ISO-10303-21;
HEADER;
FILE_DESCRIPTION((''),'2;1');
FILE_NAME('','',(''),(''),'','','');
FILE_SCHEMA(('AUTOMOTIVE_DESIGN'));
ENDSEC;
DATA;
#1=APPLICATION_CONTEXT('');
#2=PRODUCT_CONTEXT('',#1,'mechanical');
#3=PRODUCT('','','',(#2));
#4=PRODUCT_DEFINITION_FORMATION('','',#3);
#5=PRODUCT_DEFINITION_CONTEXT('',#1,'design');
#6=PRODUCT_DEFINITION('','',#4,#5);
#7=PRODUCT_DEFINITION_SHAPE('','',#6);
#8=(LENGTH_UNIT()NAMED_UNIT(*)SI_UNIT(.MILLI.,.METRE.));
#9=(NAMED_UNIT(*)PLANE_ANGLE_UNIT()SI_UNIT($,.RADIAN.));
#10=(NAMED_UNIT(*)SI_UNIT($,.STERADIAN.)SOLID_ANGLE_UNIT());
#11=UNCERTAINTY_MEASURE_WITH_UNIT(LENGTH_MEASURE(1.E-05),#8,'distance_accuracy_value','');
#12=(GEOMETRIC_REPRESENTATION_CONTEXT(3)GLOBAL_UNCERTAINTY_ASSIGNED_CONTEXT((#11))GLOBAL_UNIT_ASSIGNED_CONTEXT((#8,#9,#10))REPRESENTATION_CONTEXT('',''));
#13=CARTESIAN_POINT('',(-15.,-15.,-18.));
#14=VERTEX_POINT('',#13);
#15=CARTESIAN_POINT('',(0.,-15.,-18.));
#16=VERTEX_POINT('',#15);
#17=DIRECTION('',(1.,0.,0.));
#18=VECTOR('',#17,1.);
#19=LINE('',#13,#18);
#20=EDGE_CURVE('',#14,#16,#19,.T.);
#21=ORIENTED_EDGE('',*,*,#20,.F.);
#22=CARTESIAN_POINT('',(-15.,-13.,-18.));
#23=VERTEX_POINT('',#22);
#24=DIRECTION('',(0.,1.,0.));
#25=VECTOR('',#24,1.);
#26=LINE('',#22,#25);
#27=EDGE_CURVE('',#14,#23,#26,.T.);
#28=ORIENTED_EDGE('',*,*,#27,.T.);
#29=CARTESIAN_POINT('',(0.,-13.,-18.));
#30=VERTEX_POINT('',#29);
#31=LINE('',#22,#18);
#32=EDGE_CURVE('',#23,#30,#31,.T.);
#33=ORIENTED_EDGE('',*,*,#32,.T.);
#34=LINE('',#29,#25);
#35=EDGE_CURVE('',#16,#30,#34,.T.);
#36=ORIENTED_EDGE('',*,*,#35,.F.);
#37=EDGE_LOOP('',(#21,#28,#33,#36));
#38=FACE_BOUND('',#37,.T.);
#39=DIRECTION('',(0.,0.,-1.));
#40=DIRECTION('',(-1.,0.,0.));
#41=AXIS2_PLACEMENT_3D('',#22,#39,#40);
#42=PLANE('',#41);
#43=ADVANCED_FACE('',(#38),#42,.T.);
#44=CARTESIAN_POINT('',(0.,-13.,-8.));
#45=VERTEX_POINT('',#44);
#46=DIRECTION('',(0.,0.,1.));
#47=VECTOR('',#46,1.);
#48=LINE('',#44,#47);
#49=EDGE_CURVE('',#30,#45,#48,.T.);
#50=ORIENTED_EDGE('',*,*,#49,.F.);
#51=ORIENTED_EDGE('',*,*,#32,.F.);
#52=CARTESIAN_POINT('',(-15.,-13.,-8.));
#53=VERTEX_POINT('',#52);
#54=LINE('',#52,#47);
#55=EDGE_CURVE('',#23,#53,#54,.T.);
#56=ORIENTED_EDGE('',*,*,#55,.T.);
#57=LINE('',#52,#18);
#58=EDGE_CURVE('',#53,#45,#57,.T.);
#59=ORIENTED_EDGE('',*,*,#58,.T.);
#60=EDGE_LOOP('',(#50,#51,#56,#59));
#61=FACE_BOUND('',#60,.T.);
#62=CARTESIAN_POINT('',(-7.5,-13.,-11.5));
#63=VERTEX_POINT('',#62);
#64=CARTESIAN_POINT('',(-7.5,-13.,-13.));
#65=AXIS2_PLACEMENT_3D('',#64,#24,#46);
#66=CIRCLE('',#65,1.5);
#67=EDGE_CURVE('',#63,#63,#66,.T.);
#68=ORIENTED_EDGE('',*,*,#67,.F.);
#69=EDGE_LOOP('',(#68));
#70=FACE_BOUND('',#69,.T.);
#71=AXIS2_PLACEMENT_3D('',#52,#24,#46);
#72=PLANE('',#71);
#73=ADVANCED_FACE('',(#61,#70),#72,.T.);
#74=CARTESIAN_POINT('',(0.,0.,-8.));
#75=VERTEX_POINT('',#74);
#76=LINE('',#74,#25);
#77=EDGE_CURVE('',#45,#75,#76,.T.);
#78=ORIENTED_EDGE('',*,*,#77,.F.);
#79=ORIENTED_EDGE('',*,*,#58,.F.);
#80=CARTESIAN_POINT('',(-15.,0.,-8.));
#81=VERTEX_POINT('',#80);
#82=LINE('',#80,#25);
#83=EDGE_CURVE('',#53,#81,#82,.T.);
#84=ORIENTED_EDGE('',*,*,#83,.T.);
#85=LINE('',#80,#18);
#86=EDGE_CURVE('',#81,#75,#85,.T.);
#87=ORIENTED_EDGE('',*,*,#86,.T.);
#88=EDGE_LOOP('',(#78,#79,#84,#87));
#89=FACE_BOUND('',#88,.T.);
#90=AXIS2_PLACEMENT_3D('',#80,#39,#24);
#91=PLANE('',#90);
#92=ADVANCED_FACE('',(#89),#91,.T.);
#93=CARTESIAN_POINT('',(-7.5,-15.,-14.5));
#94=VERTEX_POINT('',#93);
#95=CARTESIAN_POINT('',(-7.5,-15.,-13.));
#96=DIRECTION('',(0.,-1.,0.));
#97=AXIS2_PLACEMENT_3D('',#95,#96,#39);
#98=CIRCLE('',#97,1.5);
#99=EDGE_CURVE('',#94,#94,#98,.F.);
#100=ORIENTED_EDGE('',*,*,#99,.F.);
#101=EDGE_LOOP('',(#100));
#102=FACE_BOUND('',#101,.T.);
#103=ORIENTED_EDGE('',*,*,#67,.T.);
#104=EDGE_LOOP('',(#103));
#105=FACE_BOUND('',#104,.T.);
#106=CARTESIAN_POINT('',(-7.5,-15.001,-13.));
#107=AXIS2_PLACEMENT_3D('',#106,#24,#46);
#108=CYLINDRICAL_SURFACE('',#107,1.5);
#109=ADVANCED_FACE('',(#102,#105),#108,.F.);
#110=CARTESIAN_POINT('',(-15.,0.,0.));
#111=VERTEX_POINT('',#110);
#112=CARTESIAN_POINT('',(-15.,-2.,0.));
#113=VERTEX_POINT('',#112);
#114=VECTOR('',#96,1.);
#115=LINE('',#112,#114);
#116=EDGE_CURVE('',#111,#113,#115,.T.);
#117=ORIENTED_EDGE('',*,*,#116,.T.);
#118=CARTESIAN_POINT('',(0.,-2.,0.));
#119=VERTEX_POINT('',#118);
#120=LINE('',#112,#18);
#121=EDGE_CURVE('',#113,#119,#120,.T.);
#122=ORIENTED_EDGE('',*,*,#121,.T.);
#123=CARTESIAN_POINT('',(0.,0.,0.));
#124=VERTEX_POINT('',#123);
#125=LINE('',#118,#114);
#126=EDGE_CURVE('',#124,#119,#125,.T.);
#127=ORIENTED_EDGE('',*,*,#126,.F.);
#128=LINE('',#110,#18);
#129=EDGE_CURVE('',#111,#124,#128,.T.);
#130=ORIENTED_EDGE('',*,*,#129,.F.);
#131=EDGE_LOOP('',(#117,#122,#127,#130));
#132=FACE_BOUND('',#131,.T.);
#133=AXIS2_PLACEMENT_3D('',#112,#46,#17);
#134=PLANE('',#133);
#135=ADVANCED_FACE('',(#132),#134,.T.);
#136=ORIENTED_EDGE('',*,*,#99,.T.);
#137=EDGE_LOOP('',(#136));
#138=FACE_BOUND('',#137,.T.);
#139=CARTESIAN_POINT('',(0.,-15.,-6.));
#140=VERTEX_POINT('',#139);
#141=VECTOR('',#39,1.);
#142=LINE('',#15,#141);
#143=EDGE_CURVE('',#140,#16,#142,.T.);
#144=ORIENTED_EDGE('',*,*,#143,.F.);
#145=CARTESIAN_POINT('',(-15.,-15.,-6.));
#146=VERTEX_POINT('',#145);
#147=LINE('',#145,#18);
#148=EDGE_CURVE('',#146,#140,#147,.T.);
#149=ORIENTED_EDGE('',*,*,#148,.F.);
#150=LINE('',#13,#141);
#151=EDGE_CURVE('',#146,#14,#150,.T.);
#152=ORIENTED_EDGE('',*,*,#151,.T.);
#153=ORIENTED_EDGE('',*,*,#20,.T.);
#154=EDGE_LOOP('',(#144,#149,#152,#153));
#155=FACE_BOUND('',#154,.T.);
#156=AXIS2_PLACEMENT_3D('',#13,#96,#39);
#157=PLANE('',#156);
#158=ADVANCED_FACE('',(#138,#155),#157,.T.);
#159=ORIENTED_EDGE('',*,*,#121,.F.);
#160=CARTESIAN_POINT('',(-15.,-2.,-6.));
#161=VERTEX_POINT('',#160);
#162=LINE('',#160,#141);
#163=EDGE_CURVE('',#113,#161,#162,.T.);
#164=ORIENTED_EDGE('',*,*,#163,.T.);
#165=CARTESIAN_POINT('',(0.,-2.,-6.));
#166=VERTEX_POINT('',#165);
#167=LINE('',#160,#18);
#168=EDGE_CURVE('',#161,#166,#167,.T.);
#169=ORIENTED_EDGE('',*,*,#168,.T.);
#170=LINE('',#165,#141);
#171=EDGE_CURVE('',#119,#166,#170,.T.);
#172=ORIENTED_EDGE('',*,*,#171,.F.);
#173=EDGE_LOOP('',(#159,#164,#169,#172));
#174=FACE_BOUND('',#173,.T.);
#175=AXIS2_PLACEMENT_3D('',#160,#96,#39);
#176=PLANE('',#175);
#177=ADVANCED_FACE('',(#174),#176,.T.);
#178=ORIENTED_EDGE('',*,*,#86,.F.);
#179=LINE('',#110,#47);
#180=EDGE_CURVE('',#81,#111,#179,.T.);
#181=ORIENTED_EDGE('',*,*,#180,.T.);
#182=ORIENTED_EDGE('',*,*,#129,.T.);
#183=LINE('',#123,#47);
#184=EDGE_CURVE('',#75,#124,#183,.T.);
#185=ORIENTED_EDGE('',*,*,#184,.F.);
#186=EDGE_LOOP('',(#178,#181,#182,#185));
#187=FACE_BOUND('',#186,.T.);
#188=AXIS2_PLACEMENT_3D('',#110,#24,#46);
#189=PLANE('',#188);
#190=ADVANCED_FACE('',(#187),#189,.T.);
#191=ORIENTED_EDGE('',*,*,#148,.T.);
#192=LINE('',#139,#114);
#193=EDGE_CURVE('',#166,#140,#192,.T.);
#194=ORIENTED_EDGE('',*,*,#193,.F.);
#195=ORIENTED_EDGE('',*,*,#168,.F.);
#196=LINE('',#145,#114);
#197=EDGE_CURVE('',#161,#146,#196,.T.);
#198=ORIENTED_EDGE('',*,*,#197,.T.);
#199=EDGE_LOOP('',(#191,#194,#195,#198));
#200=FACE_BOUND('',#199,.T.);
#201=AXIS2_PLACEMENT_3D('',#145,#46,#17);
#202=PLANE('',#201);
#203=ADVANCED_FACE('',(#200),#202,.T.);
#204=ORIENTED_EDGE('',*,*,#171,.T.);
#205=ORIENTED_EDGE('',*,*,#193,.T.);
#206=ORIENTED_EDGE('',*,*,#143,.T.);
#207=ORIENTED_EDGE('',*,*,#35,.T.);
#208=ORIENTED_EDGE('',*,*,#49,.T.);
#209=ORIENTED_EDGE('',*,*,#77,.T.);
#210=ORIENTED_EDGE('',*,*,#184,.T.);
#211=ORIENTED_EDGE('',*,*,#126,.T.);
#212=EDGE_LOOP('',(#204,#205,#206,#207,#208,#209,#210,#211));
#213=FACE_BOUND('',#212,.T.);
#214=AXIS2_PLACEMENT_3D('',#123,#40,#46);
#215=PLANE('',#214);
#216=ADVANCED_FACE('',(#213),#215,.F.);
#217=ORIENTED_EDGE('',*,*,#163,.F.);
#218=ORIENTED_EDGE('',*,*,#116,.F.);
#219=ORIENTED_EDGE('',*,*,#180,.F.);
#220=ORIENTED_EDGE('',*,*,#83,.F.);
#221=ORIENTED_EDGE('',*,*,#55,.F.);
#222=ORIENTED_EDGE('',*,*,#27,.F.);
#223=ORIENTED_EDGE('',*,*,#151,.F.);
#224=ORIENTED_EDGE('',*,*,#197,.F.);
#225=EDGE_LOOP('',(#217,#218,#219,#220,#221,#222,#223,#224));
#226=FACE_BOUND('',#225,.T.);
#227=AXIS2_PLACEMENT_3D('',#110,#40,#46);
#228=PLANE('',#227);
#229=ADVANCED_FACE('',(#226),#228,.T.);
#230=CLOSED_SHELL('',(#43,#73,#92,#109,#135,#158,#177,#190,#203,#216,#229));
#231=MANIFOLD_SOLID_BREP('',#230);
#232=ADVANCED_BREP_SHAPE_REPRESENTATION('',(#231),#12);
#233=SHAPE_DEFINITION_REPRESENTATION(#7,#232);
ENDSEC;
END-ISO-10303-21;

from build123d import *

# Parameters (mm, degrees)
BOSS_EXTRUDE1_DEPTH = 15
CUT_EXTRUDE1_REACH  = 4
SKETCH3_R           = 1.5


with BuildPart() as part:
    # Sketch1 → Boss-Extrude1 (new body)
    with BuildSketch(Plane(origin=(0, 0, 0), x_dir=(0, 0, -1), z_dir=(1, 0, 0))):
        Polygon((0, 0), (8, 0), (8, -13), (18, -13), (18, -15), (6, -15), (6, -2), (0, -2), align=None)
    extrude(amount=-BOSS_EXTRUDE1_DEPTH)

    # Sketch3 → Cut-Extrude1 (cut, up to next)
    with BuildSketch(Plane(origin=(0, -13, 0), x_dir=(1, 0, 0), z_dir=(0, 1, 0)), mode=Mode.PRIVATE) as cut_extrude1_sk1:
        with Locations((-7.5, 13)):
            Circle(SKETCH3_R)
    cut_extrude1_tool1 = extrude(cut_extrude1_sk1.sketch, amount=-CUT_EXTRUDE1_REACH, mode=Mode.PRIVATE) & part.part
    add(cut_extrude1_tool1.solids().sort_by_distance((-7.5, -13, -13))[0], mode=Mode.SUBTRACT)


solid = part.part
